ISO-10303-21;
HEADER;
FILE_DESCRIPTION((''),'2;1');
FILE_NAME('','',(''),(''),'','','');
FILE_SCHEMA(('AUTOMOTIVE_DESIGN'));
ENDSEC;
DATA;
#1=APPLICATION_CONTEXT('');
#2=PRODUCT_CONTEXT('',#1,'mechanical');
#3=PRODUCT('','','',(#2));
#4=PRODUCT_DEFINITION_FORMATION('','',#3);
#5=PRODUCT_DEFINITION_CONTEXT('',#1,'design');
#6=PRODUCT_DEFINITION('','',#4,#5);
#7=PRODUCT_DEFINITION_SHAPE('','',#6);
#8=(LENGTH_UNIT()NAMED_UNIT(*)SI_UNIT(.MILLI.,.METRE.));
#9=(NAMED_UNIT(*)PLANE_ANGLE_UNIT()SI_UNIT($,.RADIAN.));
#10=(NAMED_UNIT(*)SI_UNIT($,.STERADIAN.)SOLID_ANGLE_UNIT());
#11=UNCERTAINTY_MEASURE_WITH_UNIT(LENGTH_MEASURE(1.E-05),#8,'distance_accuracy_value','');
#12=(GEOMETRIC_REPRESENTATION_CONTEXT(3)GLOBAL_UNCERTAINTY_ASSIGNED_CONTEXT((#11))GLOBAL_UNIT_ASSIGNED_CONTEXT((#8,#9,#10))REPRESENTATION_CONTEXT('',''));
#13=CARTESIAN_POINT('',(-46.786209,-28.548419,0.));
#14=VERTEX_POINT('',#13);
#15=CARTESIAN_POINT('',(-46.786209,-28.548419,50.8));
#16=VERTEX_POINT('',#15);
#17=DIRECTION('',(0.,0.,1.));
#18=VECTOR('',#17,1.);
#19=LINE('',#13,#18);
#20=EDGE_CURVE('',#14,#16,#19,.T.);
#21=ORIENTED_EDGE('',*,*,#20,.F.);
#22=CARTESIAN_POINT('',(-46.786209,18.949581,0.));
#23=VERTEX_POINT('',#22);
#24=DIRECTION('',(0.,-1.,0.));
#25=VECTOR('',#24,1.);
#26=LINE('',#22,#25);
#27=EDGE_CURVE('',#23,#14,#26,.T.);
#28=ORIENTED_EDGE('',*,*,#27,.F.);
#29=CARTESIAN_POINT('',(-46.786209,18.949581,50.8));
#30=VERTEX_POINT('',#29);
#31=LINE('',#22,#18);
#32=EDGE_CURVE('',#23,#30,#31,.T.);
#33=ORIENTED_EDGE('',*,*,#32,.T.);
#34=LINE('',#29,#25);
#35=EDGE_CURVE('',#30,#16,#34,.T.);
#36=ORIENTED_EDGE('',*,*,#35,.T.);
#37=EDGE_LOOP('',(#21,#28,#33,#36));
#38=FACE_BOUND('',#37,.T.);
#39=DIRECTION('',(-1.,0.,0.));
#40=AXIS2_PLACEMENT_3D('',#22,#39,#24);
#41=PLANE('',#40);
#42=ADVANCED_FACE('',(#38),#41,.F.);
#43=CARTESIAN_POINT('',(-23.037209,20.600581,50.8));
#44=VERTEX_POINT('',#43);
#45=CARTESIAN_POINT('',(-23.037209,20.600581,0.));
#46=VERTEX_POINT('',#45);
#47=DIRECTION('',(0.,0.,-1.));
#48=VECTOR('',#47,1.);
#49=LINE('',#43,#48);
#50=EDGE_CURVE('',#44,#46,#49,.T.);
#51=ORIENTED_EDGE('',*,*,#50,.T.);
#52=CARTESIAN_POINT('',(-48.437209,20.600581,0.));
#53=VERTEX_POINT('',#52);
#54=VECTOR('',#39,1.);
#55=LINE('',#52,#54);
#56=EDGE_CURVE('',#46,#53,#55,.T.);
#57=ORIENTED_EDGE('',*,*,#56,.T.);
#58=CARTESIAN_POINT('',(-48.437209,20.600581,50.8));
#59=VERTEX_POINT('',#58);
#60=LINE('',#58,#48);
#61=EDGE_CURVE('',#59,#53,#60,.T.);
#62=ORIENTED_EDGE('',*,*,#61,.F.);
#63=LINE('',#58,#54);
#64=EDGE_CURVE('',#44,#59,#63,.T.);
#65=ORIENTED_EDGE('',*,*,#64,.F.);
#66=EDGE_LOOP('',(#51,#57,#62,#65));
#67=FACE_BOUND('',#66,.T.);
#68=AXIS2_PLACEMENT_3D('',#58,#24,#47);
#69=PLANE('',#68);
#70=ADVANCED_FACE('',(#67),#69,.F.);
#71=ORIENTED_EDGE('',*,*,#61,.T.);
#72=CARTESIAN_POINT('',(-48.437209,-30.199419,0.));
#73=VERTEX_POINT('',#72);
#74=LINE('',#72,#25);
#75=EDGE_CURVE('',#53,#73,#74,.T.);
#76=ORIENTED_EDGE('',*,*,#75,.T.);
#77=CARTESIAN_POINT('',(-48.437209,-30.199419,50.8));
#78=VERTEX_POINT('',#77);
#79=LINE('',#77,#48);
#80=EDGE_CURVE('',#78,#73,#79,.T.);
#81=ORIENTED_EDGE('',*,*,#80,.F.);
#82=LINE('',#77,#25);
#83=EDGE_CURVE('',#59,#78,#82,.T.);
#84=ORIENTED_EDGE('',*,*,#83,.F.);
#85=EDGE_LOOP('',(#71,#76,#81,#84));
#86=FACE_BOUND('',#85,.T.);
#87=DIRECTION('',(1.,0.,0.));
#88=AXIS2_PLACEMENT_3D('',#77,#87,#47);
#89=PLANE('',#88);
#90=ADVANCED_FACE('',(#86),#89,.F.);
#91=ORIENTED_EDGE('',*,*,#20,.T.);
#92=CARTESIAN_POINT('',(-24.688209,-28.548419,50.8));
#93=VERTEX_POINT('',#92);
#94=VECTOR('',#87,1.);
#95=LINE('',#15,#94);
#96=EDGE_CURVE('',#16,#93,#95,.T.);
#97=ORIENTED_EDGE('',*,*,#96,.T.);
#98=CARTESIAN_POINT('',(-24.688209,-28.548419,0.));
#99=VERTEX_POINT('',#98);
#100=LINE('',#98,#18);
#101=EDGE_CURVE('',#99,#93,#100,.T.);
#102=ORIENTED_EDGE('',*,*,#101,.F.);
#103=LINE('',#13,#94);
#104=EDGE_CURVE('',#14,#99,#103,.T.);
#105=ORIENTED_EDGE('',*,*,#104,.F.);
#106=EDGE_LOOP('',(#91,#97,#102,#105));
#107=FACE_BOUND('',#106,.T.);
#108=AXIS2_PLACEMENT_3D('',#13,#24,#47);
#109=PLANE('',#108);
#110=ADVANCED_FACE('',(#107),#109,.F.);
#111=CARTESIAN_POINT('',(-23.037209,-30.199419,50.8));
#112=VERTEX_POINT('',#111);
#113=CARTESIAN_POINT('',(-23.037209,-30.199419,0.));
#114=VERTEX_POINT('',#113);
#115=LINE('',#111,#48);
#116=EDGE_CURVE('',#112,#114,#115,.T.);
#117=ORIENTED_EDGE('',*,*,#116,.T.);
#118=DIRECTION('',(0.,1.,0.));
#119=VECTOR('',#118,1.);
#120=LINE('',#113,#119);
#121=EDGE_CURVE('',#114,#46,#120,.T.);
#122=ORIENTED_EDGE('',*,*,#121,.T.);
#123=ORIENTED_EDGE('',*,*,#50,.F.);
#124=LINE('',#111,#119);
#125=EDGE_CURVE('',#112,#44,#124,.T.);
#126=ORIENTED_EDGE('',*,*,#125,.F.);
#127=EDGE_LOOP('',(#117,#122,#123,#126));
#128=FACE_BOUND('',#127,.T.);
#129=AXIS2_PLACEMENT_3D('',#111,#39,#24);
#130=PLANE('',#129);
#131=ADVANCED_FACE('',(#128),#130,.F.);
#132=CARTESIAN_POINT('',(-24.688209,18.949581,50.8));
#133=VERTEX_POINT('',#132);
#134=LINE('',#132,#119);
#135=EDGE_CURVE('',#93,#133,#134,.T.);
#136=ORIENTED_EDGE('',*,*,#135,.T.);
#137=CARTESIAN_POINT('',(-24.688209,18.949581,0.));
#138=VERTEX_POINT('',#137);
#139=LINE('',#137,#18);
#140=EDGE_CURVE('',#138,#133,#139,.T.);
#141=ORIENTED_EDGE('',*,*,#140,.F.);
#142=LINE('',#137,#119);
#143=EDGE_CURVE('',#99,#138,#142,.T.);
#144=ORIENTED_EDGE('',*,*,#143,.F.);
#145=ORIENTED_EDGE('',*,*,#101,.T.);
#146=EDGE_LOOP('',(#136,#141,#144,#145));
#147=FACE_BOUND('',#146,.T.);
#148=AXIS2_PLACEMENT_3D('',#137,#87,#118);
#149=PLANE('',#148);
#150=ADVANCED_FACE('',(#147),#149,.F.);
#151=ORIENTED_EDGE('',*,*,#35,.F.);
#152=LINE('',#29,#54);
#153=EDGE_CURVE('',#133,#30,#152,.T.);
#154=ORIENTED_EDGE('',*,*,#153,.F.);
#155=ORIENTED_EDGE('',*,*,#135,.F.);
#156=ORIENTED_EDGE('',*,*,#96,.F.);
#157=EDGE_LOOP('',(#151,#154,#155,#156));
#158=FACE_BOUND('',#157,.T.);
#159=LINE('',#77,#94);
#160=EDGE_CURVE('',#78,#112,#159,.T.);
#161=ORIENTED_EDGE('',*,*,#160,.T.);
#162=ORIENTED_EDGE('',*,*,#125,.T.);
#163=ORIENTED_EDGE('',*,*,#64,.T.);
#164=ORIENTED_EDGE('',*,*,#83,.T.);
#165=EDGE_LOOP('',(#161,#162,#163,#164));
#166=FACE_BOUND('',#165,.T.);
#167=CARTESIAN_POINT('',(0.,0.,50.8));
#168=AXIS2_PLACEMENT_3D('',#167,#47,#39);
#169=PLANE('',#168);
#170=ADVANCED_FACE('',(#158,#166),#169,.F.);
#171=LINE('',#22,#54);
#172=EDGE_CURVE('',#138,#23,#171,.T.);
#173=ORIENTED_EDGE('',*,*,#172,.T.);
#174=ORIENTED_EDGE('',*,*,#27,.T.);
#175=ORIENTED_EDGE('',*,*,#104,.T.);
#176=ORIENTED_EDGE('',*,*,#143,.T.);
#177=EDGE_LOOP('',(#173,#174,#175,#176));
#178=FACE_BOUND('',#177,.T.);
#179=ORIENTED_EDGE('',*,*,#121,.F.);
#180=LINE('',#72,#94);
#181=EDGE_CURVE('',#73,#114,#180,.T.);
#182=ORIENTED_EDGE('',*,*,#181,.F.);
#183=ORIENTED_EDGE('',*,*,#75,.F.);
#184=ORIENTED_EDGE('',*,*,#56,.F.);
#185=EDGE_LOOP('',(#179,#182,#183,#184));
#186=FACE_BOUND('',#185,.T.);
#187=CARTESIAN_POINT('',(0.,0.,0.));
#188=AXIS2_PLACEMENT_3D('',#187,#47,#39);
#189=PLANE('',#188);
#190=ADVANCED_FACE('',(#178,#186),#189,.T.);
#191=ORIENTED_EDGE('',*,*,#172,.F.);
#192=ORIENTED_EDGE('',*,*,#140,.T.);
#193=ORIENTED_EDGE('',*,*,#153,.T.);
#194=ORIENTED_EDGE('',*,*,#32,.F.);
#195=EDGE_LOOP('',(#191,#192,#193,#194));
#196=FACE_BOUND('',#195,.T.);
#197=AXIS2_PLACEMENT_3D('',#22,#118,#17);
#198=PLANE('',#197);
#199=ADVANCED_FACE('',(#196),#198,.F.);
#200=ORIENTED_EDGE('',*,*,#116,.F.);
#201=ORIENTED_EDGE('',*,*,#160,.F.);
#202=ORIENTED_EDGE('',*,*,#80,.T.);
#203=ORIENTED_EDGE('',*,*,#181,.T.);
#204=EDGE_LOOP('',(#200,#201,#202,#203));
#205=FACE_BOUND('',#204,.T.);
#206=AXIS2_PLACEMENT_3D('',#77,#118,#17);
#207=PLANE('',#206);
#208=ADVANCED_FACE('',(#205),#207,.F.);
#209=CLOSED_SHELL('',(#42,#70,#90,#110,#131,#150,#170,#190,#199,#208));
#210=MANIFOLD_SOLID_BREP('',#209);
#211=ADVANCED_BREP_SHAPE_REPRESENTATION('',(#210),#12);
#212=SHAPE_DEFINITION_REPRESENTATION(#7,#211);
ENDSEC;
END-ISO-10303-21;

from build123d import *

# Parameters (mm, degrees)
SKETCH1_W           = 25.4
SKETCH1_H           = 50.8
BOSS_EXTRUDE1_DEPTH = 50.8
SKETCH2_W           = 22.098
SKETCH2_H           = 47.498
CUT_EXTRUDE1_DEPTH  = 77.412094128


with BuildPart() as part:
    # Sketch1 → Boss-Extrude1 (new body)
    with BuildSketch(Plane.XY):
        with Locations((-35.737209302, -4.799418605)):
            Rectangle(SKETCH1_W, SKETCH1_H)
    extrude(amount=BOSS_EXTRUDE1_DEPTH)

    # Sketch2 → Cut-Extrude1 (cut, through all)
    with BuildSketch(Plane.XY.offset(50.8)):
        with Locations((-35.737209302, -4.799418605)):
            Rectangle(SKETCH2_W, SKETCH2_H)
    extrude(amount=-CUT_EXTRUDE1_DEPTH, mode=Mode.SUBTRACT)


solid = part.part
